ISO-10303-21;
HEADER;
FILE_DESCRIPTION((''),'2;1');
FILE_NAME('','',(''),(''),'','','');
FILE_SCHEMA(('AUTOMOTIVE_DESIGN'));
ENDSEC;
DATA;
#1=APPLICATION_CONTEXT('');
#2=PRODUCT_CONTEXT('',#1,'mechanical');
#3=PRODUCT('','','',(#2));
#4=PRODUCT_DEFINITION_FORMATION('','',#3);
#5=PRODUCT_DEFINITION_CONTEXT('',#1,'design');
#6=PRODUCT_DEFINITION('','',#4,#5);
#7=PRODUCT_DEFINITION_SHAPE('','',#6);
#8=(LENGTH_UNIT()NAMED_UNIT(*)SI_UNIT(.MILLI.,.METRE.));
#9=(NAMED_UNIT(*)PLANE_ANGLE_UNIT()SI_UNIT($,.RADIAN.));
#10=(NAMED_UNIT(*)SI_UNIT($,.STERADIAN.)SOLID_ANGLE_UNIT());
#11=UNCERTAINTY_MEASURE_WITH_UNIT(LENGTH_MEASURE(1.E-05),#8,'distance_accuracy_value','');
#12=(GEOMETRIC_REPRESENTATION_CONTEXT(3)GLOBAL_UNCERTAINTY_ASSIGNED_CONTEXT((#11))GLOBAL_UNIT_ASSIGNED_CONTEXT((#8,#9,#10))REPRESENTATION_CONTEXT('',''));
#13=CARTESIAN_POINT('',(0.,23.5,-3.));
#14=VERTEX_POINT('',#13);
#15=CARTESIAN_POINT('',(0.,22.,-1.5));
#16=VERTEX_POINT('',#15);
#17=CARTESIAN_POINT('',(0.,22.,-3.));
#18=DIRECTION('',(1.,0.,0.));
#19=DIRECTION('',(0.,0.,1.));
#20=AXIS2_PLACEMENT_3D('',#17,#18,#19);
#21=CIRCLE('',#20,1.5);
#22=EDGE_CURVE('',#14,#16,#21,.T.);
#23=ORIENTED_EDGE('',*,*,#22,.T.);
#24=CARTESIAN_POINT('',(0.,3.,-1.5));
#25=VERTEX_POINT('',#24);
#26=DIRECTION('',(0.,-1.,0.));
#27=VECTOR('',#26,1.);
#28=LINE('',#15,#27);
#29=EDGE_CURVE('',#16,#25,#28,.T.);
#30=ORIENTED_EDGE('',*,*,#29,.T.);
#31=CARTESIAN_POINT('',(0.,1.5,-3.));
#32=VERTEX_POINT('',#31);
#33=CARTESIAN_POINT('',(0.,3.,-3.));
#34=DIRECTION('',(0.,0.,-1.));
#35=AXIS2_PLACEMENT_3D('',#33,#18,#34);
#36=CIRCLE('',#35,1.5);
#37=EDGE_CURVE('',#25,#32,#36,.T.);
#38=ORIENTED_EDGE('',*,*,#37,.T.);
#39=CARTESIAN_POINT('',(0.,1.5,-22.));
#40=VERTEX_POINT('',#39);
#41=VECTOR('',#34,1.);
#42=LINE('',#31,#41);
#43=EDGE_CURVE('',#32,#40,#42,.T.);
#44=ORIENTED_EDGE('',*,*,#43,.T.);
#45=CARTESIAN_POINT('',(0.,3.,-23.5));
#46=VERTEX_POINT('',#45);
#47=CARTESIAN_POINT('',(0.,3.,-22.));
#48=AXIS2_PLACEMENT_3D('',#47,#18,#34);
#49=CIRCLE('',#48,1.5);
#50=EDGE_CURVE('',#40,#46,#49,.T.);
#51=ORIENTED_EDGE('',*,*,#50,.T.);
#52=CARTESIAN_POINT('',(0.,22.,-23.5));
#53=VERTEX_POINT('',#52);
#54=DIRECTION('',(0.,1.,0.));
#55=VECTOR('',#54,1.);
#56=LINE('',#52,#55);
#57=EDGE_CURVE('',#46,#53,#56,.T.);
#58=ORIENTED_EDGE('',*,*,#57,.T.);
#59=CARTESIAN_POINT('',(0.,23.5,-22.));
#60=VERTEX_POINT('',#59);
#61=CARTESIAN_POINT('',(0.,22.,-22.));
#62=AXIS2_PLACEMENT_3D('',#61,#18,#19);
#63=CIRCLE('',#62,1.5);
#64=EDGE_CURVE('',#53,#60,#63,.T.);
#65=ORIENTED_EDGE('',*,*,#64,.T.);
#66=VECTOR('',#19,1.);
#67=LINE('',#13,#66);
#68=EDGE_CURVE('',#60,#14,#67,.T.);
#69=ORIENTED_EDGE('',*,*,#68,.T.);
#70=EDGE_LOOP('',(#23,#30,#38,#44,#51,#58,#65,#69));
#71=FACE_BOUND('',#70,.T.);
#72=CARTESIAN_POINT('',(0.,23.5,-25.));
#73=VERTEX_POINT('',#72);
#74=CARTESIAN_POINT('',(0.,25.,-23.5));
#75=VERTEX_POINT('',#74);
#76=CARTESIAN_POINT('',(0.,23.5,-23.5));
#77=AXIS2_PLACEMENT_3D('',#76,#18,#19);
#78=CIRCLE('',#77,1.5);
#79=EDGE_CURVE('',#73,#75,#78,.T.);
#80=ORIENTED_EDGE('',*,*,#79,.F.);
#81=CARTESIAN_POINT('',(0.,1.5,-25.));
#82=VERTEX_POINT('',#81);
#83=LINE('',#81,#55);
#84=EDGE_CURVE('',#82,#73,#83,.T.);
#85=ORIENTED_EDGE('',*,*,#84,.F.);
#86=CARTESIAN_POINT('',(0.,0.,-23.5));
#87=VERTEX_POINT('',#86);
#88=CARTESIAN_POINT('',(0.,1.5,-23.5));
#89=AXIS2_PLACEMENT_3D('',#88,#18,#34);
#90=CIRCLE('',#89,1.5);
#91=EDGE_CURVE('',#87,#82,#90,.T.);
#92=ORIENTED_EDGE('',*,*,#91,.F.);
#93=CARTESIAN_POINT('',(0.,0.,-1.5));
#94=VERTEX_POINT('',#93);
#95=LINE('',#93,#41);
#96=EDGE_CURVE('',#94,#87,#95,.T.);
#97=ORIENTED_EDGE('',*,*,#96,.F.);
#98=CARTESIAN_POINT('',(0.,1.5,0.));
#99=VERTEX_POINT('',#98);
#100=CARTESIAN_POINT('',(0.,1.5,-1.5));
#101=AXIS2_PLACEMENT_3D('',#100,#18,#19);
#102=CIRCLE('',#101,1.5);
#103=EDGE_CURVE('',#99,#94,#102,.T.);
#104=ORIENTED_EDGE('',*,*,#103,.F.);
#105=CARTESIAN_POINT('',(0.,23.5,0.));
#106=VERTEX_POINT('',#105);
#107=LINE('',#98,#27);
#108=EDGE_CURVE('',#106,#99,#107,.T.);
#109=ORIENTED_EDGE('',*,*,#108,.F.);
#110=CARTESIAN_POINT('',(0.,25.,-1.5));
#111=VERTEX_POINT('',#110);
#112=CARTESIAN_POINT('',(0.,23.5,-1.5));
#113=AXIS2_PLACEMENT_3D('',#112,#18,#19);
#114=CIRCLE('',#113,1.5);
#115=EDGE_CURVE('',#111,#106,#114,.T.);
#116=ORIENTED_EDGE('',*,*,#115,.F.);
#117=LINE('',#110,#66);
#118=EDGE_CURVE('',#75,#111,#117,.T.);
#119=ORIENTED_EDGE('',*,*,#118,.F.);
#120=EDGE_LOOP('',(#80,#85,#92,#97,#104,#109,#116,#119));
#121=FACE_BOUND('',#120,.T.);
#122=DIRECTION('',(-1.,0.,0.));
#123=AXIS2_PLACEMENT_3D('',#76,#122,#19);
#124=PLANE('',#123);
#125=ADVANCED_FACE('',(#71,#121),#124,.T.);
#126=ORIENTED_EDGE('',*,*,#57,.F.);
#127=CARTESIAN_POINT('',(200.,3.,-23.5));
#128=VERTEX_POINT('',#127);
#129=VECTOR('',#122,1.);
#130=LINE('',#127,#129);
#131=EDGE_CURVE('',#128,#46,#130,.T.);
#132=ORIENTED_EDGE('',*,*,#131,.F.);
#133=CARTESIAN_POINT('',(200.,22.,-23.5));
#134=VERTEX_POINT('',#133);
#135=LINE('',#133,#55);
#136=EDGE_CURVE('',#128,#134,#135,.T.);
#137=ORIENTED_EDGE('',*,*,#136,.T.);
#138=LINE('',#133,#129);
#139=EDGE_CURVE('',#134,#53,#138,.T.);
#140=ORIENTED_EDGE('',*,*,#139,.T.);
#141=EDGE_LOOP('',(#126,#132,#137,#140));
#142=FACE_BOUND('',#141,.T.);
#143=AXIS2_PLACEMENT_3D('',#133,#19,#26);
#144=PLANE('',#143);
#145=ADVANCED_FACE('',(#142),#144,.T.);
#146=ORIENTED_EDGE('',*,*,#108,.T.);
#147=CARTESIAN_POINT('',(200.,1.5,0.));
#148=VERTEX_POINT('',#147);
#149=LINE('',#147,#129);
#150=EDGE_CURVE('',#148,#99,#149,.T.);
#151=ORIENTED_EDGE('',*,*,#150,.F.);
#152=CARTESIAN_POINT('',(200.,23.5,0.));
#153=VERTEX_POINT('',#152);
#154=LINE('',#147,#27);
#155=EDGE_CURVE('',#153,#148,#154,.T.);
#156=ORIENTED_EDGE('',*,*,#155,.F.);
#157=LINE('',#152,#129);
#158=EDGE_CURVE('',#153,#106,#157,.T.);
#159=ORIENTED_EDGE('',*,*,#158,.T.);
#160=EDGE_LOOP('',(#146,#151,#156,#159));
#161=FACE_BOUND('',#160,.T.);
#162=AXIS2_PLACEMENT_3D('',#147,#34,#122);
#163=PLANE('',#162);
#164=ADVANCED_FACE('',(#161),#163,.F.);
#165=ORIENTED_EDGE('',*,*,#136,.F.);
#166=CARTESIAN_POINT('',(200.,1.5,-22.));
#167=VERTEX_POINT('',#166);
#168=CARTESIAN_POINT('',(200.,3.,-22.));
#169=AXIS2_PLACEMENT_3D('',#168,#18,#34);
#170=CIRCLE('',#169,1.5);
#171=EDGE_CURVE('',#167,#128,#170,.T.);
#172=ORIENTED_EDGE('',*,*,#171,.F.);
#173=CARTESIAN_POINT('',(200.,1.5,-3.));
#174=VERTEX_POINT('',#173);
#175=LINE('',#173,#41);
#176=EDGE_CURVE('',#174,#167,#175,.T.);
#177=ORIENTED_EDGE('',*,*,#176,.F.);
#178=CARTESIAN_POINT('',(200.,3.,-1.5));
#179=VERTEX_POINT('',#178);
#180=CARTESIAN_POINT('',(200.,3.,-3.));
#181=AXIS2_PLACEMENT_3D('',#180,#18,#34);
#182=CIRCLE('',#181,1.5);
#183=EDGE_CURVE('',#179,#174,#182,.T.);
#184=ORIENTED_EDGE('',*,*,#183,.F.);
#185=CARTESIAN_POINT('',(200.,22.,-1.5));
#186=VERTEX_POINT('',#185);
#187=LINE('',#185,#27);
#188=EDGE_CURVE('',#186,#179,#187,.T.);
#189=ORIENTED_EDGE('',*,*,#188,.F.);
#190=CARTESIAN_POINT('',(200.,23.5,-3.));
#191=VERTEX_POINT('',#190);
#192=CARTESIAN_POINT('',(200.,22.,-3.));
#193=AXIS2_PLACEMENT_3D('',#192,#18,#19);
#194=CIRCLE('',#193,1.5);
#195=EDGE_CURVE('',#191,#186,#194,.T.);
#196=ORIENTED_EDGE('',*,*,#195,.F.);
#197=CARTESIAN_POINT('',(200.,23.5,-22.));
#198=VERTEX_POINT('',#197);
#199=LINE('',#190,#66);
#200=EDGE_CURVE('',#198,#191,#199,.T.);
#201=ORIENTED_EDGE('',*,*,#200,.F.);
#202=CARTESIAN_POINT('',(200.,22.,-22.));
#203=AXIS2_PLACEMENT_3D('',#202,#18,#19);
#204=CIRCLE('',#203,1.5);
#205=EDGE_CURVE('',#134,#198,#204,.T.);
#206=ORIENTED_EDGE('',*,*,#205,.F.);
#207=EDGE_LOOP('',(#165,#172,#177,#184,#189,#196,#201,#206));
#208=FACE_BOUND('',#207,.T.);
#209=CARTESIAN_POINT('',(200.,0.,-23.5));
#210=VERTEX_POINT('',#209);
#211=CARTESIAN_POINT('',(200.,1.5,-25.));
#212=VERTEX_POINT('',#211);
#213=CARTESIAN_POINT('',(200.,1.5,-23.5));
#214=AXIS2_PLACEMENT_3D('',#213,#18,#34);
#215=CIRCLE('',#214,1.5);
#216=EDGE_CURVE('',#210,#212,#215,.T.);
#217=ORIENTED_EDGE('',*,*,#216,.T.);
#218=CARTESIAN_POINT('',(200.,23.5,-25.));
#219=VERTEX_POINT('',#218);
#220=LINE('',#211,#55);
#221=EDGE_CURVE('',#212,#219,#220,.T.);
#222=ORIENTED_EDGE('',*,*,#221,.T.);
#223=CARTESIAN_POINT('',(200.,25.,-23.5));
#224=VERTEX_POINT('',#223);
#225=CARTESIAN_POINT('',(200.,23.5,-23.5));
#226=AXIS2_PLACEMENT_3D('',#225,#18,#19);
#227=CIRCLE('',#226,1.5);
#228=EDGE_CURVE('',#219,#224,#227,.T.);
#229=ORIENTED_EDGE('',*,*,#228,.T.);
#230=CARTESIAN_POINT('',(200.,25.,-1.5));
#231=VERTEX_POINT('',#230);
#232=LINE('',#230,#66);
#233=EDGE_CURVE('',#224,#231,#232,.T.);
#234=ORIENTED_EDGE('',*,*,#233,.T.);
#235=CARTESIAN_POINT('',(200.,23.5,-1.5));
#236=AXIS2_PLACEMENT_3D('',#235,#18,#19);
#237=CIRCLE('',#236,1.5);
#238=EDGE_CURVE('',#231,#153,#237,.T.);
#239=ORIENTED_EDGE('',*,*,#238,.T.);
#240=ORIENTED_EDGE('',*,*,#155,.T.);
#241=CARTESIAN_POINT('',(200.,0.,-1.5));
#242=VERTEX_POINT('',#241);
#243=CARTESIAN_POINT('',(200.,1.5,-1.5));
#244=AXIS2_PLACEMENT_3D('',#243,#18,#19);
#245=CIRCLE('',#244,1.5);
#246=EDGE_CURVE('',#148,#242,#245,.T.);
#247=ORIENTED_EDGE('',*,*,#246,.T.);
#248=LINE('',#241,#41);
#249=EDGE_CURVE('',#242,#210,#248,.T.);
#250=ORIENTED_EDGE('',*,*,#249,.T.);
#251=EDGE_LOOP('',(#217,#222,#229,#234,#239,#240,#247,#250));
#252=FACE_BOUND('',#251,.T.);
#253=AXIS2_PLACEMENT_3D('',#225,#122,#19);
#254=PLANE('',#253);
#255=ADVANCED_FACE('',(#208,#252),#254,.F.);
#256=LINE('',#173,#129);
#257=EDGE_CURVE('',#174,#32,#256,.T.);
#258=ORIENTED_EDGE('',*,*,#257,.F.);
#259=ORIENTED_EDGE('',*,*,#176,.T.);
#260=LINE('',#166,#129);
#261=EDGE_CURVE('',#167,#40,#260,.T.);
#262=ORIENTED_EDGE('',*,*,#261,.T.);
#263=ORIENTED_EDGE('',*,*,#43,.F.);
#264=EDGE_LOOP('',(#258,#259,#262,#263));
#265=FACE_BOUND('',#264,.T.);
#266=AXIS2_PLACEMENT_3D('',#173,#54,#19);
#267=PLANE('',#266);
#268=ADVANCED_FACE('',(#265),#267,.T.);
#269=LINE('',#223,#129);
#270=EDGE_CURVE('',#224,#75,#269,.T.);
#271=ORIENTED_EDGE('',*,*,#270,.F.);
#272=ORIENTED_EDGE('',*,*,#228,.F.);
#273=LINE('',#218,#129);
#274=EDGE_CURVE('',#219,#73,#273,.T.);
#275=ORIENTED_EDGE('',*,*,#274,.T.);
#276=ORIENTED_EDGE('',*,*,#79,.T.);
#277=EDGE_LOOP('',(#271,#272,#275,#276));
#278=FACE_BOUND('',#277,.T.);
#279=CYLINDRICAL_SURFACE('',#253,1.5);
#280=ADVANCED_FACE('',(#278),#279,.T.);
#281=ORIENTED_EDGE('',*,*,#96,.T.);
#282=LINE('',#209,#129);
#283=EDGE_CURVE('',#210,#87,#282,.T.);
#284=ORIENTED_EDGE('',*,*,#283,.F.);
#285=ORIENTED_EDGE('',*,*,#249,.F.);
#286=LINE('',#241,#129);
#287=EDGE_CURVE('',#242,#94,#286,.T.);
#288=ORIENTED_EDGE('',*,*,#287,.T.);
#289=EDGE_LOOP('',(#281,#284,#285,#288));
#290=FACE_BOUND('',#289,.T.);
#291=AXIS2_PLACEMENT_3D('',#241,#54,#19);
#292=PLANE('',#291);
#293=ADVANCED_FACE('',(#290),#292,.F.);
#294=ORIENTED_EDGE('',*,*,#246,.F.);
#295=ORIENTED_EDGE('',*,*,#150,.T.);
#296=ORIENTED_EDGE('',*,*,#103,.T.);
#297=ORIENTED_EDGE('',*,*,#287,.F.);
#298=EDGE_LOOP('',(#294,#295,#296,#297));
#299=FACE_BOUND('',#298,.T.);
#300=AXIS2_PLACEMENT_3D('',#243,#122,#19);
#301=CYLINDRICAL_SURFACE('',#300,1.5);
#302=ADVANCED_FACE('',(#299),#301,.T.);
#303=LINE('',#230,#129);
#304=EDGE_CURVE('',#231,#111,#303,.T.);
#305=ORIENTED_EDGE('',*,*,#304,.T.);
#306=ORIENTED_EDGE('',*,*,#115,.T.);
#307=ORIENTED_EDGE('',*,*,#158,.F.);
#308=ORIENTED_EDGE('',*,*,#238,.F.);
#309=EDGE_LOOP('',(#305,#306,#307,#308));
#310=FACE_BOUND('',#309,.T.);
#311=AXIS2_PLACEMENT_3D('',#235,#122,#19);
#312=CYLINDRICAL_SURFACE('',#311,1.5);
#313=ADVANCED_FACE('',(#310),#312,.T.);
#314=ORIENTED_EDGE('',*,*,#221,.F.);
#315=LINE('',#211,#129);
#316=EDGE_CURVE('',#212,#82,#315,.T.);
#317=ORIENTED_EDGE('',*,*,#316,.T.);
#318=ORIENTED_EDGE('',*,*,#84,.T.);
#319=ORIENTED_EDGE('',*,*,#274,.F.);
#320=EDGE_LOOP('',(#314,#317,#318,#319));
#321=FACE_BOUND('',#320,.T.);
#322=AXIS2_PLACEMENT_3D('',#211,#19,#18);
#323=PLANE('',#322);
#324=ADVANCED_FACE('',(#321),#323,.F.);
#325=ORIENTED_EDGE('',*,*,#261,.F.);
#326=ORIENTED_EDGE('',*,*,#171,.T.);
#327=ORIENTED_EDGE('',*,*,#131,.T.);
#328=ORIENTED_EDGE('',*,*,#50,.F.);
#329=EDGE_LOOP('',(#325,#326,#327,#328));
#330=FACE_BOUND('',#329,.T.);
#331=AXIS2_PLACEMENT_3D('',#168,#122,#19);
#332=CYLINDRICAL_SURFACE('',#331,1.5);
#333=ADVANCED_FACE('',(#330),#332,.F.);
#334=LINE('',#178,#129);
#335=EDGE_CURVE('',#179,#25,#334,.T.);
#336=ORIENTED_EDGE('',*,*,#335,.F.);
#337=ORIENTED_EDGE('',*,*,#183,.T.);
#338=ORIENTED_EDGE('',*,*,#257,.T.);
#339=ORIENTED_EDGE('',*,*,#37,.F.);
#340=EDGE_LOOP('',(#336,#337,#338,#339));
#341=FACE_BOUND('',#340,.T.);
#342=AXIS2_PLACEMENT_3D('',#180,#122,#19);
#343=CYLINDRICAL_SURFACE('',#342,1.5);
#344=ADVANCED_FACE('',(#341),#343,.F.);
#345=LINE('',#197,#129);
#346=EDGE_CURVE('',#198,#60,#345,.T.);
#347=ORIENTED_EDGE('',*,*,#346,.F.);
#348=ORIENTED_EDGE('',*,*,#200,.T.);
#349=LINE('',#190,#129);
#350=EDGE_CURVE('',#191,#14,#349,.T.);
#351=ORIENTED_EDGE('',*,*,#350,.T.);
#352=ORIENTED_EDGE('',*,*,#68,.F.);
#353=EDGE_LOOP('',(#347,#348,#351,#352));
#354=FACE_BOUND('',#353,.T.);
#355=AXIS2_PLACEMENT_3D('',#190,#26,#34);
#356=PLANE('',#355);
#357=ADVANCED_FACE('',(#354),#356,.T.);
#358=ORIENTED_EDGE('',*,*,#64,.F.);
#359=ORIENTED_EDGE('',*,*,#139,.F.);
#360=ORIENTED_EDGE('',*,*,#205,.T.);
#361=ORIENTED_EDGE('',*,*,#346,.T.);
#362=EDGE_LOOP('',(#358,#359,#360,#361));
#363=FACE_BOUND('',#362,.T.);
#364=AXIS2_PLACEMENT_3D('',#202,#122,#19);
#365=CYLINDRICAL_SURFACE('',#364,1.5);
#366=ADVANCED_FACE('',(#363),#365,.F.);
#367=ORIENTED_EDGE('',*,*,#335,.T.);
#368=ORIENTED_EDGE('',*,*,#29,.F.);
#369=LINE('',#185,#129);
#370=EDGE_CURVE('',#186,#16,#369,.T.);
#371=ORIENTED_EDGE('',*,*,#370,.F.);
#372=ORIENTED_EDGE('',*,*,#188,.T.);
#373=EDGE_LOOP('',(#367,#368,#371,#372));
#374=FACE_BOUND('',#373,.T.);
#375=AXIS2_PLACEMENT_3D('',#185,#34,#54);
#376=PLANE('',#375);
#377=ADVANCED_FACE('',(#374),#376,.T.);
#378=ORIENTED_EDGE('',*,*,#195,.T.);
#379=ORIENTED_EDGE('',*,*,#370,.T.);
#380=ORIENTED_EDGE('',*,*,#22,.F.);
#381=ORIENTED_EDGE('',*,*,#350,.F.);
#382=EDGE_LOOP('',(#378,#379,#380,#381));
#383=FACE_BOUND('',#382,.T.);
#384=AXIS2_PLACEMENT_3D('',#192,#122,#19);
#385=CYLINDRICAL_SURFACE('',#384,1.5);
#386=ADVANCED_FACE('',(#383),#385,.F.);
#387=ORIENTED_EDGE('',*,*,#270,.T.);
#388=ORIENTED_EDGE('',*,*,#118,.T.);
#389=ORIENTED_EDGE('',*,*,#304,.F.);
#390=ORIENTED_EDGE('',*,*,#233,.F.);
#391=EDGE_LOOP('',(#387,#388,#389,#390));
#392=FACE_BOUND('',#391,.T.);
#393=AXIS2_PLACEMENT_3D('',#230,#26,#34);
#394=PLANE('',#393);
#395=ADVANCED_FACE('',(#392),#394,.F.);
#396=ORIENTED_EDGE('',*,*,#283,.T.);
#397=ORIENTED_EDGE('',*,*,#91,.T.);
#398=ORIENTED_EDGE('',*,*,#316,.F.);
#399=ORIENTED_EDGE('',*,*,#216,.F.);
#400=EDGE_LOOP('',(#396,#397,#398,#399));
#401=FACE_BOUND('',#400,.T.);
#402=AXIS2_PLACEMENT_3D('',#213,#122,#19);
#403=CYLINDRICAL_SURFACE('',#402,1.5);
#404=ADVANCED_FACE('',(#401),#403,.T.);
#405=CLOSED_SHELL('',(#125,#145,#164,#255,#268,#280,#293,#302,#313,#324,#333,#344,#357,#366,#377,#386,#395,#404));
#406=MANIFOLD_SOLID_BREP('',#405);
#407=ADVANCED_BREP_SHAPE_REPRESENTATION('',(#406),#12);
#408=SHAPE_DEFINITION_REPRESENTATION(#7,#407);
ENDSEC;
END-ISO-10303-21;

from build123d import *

# Parameters (mm, degrees)
BOSS_EXTRUDE1_DEPTH = 200


with BuildPart() as part:
    # Sketch1 → Boss-Extrude1 (new body)
    with BuildSketch(Plane(origin=(0, 0, 0), x_dir=(0, 0, -1), z_dir=(1, 0, 0))):
        with BuildLine():
            Line((1.5, 0), (23.5, 0))
            ThreePointArc((23.5, 0), (24.560660172, 0.439339828), (25, 1.5))
            Line((25, 1.5), (25, 23.5))
            ThreePointArc((25, 23.5), (24.560660172, 24.560660172), (23.5, 25))
            Line((23.5, 25), (1.5, 25))
            ThreePointArc((1.5, 25), (0.439339828, 24.560660172), (0, 23.5))
            Line((0, 23.5), (0, 1.5))
            ThreePointArc((0, 1.5), (0.439339828, 0.439339828), (1.5, 0))
        make_face()
        with BuildLine():
            Line((3, 23.5), (22, 23.5))
            ThreePointArc((22, 23.5), (23.060660172, 23.060660172), (23.5, 22))
            Line((23.5, 22), (23.5, 3))
            ThreePointArc((23.5, 3), (23.060660172, 1.939339828), (22, 1.5))
            Line((22, 1.5), (3, 1.5))
            ThreePointArc((3, 1.5), (1.939339828, 1.939339828), (1.5, 3))
            Line((1.5, 3), (1.5, 22))
            ThreePointArc((1.5, 22), (1.939339828, 23.060660172), (3, 23.5))
        make_face(mode=Mode.SUBTRACT)
    extrude(amount=BOSS_EXTRUDE1_DEPTH)


solid = part.part
